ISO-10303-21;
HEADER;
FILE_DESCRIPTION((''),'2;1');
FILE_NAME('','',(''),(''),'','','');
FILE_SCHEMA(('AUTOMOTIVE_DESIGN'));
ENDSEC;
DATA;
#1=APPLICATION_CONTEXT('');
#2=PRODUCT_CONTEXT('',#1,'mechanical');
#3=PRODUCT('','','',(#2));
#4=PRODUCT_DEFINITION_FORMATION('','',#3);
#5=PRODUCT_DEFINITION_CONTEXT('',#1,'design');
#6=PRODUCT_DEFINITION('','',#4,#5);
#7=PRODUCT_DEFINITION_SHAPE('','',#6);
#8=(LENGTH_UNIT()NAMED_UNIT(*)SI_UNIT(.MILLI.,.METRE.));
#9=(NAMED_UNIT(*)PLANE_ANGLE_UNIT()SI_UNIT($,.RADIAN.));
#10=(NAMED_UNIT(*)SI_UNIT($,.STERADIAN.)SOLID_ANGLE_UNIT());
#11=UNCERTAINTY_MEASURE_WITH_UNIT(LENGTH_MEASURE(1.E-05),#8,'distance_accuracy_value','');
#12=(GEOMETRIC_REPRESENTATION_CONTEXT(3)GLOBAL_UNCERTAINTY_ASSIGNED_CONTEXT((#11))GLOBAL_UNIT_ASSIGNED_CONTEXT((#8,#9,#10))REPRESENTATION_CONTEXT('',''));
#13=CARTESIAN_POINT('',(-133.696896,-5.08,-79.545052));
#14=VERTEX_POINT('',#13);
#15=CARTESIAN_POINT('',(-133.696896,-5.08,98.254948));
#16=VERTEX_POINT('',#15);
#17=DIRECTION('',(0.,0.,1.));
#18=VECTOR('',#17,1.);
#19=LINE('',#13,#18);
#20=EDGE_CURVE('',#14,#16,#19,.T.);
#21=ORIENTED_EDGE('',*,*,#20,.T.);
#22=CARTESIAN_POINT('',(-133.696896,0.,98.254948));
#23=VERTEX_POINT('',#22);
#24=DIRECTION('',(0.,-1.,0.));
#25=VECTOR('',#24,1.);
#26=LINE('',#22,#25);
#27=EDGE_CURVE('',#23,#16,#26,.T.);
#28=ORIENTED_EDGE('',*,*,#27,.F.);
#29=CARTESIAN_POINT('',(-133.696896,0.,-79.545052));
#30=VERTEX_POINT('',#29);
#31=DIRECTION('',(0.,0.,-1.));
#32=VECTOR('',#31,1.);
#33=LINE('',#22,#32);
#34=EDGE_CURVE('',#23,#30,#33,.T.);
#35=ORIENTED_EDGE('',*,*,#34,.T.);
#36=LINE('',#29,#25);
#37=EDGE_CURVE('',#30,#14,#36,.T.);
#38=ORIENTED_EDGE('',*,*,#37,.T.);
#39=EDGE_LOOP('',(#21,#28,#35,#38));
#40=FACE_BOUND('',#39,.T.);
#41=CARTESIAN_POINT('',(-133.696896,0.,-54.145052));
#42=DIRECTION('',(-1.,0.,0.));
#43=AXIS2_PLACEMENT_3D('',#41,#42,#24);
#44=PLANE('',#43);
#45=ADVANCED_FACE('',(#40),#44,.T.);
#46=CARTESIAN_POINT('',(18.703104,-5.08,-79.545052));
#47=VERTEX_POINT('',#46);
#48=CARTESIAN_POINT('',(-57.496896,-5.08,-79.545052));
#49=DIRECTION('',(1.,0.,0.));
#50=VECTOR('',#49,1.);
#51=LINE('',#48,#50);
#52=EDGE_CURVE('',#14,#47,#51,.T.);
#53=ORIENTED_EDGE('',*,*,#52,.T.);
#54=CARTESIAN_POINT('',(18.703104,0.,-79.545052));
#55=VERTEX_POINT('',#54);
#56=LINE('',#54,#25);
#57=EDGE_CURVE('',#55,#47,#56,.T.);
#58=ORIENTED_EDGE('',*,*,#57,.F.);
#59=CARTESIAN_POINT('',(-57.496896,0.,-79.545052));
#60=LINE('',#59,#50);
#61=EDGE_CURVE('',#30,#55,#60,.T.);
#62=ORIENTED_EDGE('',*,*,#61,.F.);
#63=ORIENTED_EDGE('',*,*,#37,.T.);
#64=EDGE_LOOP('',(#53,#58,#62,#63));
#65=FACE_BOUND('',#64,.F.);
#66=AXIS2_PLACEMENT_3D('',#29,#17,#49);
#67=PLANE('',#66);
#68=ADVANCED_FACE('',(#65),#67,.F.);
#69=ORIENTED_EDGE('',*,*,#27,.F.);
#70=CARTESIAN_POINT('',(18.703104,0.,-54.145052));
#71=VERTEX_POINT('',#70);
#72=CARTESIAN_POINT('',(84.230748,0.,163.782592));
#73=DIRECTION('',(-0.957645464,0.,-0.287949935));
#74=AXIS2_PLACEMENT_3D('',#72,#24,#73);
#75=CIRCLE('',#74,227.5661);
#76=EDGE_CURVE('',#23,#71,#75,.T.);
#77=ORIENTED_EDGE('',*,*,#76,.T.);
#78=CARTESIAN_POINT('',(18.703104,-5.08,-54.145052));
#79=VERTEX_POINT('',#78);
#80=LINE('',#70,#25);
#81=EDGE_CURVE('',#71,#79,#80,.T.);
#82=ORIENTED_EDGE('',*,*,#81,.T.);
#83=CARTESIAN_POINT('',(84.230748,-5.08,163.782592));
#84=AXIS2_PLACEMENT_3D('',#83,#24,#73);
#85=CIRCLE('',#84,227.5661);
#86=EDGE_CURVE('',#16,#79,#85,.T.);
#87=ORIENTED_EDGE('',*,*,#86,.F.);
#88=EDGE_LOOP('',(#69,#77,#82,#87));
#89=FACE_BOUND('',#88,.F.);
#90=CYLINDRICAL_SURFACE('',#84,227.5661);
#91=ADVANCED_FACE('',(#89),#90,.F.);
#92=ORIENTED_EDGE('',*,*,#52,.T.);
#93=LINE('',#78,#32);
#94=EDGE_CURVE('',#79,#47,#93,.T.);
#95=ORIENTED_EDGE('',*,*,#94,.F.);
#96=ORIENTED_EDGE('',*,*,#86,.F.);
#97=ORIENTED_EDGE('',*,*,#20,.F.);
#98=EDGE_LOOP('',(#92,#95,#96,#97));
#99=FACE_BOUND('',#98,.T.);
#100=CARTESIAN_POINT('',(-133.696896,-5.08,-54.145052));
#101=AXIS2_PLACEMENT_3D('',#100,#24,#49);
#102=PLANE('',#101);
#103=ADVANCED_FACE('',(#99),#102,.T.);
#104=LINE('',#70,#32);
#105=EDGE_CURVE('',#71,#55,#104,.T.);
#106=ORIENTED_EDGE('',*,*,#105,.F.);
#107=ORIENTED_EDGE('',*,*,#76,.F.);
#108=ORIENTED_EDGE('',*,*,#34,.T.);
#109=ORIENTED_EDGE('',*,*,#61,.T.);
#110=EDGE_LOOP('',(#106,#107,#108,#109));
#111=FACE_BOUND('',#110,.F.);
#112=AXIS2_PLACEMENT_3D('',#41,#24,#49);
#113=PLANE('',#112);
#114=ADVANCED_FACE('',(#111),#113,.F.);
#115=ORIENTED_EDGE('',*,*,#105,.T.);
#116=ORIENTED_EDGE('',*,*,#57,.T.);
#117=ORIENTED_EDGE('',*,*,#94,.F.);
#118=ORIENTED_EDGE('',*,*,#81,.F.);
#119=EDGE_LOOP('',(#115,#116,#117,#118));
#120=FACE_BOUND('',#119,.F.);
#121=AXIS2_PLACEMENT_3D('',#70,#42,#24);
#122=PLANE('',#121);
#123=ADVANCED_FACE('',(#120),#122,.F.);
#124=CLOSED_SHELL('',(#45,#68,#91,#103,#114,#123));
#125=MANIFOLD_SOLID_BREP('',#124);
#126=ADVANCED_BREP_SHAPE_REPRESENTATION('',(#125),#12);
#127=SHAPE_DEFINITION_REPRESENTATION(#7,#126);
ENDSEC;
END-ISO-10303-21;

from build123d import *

# Parameters (mm, degrees)
F0_W     = 152.4
F0_H     = 152.4
F1_DEPTH = 5.08
F3_DEPTH = 5.08
F4_DEPTH = 25.4


with BuildPart() as f1:
    # F0 (on Front) → F1 (new body)
    with BuildSketch(Plane.XZ):
        with Locations((-57.4968958794, 22.0549479127)):
            Rectangle(F0_W, F0_H)
    extrude(amount=F1_DEPTH)

    # F2 (on face) → F3 (cut)
    with BuildSketch(Plane.XZ.offset(5.08)):
        with BuildLine():
            Line((18.7031041206, 98.2549479127), (-133.6968958794, 98.2549479127))
            ThreePointArc((-133.6968958794, 98.2549479127), (-76.6827848193, 2.8690589728), (18.7031041206, -54.1450520873))
            Line((18.7031041206, -54.1450520873), (18.7031041206, 98.2549479127))
        make_face()
    extrude(amount=-F3_DEPTH, mode=Mode.SUBTRACT)

    # F4 (add): a face of the model
    f4_faces = [f1.faces().sort_by_distance(p)[0] for p in [
        (-57.4968958794, -2.54, -54.1450520873),
    ]]
    extrude(f4_faces, amount=F4_DEPTH)


solid = f1.part
